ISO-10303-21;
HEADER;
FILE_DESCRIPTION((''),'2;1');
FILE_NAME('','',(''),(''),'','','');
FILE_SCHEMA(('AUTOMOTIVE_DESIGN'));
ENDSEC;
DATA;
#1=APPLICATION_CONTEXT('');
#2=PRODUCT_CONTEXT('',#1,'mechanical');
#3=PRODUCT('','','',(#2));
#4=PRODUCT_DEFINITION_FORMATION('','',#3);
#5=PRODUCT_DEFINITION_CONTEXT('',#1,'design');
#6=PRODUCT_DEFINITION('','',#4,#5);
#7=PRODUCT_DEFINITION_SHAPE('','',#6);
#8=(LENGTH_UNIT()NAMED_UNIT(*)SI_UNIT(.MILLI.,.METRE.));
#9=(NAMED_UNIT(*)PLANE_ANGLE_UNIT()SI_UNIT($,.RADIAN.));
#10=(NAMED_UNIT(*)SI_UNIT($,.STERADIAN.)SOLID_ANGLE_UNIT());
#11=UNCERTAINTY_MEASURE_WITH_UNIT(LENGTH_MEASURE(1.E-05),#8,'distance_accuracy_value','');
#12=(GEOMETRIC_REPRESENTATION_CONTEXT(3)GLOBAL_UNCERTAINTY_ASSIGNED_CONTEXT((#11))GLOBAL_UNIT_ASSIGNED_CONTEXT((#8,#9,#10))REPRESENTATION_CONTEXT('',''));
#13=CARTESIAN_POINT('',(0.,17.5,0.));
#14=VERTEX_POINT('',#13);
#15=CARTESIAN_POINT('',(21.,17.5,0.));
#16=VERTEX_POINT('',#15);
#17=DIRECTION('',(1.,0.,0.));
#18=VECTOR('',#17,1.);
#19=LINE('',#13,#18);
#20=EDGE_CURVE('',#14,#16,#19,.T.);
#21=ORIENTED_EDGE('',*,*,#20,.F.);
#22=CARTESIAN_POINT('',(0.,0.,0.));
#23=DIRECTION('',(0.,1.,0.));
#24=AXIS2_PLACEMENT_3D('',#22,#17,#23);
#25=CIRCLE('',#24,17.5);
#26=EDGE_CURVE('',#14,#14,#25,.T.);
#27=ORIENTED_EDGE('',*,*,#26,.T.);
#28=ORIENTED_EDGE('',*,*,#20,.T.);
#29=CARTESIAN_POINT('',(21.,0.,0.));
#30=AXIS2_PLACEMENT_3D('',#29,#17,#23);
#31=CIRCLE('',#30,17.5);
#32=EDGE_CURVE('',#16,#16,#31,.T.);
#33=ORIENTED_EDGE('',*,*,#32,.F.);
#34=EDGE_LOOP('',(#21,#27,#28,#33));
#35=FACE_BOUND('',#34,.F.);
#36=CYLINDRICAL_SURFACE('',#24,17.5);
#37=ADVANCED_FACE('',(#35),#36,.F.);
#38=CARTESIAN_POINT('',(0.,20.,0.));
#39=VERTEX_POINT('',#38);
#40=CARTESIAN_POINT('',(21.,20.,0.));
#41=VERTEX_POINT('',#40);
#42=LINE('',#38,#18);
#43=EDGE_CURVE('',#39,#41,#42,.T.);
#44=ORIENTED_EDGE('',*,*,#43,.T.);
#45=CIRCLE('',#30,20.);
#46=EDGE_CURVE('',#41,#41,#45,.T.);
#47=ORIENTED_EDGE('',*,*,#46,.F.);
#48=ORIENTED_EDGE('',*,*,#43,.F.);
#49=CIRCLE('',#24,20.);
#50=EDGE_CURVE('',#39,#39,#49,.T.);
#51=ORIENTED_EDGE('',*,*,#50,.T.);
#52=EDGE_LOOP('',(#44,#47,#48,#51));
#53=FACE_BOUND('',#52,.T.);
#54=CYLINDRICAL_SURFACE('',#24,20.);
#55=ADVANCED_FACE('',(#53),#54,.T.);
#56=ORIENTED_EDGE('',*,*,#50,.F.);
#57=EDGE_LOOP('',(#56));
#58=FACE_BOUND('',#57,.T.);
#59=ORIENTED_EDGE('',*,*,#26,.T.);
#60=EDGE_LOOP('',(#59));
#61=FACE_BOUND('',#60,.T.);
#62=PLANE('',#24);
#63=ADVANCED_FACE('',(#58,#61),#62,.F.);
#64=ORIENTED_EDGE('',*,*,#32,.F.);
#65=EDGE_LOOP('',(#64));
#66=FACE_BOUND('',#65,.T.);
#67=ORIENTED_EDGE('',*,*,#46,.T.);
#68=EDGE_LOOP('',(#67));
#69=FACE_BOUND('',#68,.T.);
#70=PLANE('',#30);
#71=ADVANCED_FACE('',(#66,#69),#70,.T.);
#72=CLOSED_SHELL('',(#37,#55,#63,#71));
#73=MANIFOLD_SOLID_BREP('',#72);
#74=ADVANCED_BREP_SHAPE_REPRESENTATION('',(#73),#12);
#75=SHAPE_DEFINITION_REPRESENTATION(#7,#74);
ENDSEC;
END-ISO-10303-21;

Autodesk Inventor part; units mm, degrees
ref_plane "YZ Plane" through (0, 0, 0) normal (1, 0, 0) x (0, 1, 0)
ref_plane "XZ Plane" through (0, 0, 0) normal (0, 1, 0) x (-1, 0, 0)
ref_plane "XY Plane" through (0, 0, 0) normal (0, 0, 1) x (1, 0, 0)
sketch "Sketch1" plane through (0, 0, 0) normal (0, 0, 1) x (1, 0, 0)
  line L0 (0, 0) -> (23.5766, 0)
  line L1 (0, 0) -> (0, 20)
  line L2 (0, 20) -> (21, 20)
  line L3 (21, 20) -> (21, 0)
  line L4 (0, 17.5) -> (21, 17.5)
  dimension "d0" = 40
  dimension "d1" = 21
  dimension "d2" = 35
revolve "Revolution1" add sketch "Sketch1" angle 360 about axis through (0, 0, 0) along (1, 0, 0) contours L1 L2 L3 L4
properties part number "P22" material "PC (Transp. / Durchsicht.)"
